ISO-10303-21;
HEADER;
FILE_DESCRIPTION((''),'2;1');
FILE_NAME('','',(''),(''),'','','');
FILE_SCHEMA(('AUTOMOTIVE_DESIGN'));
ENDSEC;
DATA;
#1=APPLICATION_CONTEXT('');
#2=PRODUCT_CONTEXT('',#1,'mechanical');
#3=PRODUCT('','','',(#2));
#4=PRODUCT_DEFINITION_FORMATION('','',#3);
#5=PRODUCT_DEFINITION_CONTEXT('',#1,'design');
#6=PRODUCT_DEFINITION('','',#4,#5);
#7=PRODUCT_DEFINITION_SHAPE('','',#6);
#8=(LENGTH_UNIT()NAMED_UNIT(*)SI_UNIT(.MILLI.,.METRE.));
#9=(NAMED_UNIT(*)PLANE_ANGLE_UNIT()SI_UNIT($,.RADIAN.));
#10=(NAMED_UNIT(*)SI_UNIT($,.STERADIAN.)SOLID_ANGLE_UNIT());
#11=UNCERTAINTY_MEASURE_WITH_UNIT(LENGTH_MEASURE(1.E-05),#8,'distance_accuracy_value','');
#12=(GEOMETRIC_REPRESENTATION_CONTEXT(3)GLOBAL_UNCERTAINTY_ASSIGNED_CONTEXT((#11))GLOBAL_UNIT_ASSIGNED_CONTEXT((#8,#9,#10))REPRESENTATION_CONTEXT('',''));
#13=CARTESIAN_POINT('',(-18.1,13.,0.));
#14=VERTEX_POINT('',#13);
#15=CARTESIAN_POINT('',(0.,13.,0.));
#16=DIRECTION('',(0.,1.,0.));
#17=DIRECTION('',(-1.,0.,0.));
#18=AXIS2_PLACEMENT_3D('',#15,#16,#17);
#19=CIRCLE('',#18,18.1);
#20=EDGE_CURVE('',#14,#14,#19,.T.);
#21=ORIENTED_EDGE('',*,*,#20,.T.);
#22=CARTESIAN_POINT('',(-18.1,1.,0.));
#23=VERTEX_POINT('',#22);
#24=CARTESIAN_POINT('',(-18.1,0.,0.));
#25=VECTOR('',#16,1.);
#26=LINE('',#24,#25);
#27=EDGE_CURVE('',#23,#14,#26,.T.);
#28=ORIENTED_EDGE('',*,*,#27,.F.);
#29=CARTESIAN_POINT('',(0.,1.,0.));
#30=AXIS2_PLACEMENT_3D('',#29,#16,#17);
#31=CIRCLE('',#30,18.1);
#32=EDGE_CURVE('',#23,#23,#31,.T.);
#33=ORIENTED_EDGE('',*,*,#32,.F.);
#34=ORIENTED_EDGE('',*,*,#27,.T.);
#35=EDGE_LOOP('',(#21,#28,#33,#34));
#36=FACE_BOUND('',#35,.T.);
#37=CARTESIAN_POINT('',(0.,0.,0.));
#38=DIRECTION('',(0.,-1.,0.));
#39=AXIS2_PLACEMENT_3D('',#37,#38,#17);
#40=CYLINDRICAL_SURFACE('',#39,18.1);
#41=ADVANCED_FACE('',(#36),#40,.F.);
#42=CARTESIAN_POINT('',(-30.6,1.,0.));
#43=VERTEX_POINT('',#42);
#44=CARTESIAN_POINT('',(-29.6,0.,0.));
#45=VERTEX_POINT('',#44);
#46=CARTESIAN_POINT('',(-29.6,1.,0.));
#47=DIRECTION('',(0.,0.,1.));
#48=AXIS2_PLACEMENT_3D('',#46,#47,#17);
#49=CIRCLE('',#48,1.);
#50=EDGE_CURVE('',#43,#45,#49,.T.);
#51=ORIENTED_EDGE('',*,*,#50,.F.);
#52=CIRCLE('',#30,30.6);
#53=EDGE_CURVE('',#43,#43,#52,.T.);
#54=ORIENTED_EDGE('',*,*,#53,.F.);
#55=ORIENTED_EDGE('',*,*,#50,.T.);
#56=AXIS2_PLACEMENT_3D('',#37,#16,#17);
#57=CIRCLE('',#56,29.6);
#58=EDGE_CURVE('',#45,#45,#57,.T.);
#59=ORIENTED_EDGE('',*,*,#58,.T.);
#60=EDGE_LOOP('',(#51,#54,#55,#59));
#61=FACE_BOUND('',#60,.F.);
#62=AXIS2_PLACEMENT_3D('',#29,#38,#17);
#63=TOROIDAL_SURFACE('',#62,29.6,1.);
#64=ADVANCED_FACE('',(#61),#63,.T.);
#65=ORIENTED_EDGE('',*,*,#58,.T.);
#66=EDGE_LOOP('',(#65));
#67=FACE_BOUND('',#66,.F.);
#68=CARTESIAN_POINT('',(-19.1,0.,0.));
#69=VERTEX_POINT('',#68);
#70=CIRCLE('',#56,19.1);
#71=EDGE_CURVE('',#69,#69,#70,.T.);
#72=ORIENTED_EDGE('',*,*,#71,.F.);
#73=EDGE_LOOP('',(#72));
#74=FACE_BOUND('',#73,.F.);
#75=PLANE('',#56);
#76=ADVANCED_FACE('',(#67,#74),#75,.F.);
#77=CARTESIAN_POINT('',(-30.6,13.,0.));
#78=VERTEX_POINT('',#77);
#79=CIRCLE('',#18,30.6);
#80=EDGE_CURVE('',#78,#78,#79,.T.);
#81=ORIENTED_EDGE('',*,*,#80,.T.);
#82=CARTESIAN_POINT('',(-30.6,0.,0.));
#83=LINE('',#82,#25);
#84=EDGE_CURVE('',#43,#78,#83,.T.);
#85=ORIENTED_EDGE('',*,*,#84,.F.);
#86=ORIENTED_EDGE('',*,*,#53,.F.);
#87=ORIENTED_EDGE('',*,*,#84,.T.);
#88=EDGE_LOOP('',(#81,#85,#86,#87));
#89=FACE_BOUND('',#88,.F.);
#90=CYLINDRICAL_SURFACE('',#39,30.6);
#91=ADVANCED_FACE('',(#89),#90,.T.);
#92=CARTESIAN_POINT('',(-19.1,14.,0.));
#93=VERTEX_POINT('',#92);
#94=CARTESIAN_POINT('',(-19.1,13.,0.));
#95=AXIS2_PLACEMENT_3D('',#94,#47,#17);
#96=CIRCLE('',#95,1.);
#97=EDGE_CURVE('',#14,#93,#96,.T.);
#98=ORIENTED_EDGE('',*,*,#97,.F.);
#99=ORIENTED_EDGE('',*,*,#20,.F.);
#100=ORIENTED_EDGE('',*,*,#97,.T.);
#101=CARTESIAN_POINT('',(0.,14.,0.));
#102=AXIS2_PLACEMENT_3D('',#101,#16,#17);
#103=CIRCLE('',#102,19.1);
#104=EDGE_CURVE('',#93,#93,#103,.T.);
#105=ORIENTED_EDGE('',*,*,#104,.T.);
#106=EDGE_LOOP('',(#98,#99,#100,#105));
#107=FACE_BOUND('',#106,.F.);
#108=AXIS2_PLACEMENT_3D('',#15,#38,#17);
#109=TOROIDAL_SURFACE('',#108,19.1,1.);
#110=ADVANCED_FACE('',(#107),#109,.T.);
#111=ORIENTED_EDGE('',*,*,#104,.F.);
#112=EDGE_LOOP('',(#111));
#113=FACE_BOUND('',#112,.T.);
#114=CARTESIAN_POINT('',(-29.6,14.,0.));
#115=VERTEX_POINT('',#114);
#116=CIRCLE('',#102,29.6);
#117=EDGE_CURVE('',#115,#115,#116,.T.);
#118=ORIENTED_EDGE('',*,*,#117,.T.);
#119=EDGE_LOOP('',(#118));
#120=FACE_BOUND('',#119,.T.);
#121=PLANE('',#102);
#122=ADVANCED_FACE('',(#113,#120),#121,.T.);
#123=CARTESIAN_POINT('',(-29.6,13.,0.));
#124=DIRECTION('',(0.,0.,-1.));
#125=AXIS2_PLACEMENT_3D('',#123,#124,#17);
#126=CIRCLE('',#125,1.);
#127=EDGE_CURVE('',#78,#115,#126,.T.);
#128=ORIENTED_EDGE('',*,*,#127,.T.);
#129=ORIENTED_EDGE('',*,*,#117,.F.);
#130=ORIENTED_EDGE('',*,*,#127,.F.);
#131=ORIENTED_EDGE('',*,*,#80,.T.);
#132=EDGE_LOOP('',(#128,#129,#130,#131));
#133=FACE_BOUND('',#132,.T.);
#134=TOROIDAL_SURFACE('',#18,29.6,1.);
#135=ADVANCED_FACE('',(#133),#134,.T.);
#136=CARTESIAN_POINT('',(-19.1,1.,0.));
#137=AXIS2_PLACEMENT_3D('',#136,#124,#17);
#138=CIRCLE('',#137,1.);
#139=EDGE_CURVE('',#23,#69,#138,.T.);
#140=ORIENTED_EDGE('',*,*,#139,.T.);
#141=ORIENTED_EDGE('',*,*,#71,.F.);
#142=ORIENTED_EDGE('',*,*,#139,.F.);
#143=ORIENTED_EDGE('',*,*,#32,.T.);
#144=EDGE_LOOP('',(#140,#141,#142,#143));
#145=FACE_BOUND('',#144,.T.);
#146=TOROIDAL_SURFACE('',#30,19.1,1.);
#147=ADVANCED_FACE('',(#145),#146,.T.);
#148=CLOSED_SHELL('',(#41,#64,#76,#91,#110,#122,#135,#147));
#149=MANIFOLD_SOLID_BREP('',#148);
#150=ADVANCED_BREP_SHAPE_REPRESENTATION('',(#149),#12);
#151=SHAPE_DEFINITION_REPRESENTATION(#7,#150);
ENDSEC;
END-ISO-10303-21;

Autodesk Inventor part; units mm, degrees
ref_plane "YZ Plane" through (0, 0, 0) normal (1, 0, 0) x (0, 1, 0)
ref_plane "XZ Plane" through (0, 0, 0) normal (0, 1, 0) x (-1, 0, 0)
ref_plane "XY Plane" through (0, 0, 0) normal (0, 0, 1) x (1, 0, 0)
sketch "Sketch1" plane through (0, 0, 0) normal (0, 1, 0) x (-1, 0, 0)
  circle A0 centre (0, 0) radius 30.6
  circle A1 centre (0, 0) radius 18.1
  dimension "d0" = 61.2
  dimension "d1" = 36.2
extrude "Extrusion1" add sketch "Sketch1" along normal blind 14
fillet "Fillet1" radius 1 4 edges at (18.1, 14, 0) (18.1, 0, 0) (30.6, 14, 0) (30.6, 0, 0)
properties part number "Simplified_Bearing"
